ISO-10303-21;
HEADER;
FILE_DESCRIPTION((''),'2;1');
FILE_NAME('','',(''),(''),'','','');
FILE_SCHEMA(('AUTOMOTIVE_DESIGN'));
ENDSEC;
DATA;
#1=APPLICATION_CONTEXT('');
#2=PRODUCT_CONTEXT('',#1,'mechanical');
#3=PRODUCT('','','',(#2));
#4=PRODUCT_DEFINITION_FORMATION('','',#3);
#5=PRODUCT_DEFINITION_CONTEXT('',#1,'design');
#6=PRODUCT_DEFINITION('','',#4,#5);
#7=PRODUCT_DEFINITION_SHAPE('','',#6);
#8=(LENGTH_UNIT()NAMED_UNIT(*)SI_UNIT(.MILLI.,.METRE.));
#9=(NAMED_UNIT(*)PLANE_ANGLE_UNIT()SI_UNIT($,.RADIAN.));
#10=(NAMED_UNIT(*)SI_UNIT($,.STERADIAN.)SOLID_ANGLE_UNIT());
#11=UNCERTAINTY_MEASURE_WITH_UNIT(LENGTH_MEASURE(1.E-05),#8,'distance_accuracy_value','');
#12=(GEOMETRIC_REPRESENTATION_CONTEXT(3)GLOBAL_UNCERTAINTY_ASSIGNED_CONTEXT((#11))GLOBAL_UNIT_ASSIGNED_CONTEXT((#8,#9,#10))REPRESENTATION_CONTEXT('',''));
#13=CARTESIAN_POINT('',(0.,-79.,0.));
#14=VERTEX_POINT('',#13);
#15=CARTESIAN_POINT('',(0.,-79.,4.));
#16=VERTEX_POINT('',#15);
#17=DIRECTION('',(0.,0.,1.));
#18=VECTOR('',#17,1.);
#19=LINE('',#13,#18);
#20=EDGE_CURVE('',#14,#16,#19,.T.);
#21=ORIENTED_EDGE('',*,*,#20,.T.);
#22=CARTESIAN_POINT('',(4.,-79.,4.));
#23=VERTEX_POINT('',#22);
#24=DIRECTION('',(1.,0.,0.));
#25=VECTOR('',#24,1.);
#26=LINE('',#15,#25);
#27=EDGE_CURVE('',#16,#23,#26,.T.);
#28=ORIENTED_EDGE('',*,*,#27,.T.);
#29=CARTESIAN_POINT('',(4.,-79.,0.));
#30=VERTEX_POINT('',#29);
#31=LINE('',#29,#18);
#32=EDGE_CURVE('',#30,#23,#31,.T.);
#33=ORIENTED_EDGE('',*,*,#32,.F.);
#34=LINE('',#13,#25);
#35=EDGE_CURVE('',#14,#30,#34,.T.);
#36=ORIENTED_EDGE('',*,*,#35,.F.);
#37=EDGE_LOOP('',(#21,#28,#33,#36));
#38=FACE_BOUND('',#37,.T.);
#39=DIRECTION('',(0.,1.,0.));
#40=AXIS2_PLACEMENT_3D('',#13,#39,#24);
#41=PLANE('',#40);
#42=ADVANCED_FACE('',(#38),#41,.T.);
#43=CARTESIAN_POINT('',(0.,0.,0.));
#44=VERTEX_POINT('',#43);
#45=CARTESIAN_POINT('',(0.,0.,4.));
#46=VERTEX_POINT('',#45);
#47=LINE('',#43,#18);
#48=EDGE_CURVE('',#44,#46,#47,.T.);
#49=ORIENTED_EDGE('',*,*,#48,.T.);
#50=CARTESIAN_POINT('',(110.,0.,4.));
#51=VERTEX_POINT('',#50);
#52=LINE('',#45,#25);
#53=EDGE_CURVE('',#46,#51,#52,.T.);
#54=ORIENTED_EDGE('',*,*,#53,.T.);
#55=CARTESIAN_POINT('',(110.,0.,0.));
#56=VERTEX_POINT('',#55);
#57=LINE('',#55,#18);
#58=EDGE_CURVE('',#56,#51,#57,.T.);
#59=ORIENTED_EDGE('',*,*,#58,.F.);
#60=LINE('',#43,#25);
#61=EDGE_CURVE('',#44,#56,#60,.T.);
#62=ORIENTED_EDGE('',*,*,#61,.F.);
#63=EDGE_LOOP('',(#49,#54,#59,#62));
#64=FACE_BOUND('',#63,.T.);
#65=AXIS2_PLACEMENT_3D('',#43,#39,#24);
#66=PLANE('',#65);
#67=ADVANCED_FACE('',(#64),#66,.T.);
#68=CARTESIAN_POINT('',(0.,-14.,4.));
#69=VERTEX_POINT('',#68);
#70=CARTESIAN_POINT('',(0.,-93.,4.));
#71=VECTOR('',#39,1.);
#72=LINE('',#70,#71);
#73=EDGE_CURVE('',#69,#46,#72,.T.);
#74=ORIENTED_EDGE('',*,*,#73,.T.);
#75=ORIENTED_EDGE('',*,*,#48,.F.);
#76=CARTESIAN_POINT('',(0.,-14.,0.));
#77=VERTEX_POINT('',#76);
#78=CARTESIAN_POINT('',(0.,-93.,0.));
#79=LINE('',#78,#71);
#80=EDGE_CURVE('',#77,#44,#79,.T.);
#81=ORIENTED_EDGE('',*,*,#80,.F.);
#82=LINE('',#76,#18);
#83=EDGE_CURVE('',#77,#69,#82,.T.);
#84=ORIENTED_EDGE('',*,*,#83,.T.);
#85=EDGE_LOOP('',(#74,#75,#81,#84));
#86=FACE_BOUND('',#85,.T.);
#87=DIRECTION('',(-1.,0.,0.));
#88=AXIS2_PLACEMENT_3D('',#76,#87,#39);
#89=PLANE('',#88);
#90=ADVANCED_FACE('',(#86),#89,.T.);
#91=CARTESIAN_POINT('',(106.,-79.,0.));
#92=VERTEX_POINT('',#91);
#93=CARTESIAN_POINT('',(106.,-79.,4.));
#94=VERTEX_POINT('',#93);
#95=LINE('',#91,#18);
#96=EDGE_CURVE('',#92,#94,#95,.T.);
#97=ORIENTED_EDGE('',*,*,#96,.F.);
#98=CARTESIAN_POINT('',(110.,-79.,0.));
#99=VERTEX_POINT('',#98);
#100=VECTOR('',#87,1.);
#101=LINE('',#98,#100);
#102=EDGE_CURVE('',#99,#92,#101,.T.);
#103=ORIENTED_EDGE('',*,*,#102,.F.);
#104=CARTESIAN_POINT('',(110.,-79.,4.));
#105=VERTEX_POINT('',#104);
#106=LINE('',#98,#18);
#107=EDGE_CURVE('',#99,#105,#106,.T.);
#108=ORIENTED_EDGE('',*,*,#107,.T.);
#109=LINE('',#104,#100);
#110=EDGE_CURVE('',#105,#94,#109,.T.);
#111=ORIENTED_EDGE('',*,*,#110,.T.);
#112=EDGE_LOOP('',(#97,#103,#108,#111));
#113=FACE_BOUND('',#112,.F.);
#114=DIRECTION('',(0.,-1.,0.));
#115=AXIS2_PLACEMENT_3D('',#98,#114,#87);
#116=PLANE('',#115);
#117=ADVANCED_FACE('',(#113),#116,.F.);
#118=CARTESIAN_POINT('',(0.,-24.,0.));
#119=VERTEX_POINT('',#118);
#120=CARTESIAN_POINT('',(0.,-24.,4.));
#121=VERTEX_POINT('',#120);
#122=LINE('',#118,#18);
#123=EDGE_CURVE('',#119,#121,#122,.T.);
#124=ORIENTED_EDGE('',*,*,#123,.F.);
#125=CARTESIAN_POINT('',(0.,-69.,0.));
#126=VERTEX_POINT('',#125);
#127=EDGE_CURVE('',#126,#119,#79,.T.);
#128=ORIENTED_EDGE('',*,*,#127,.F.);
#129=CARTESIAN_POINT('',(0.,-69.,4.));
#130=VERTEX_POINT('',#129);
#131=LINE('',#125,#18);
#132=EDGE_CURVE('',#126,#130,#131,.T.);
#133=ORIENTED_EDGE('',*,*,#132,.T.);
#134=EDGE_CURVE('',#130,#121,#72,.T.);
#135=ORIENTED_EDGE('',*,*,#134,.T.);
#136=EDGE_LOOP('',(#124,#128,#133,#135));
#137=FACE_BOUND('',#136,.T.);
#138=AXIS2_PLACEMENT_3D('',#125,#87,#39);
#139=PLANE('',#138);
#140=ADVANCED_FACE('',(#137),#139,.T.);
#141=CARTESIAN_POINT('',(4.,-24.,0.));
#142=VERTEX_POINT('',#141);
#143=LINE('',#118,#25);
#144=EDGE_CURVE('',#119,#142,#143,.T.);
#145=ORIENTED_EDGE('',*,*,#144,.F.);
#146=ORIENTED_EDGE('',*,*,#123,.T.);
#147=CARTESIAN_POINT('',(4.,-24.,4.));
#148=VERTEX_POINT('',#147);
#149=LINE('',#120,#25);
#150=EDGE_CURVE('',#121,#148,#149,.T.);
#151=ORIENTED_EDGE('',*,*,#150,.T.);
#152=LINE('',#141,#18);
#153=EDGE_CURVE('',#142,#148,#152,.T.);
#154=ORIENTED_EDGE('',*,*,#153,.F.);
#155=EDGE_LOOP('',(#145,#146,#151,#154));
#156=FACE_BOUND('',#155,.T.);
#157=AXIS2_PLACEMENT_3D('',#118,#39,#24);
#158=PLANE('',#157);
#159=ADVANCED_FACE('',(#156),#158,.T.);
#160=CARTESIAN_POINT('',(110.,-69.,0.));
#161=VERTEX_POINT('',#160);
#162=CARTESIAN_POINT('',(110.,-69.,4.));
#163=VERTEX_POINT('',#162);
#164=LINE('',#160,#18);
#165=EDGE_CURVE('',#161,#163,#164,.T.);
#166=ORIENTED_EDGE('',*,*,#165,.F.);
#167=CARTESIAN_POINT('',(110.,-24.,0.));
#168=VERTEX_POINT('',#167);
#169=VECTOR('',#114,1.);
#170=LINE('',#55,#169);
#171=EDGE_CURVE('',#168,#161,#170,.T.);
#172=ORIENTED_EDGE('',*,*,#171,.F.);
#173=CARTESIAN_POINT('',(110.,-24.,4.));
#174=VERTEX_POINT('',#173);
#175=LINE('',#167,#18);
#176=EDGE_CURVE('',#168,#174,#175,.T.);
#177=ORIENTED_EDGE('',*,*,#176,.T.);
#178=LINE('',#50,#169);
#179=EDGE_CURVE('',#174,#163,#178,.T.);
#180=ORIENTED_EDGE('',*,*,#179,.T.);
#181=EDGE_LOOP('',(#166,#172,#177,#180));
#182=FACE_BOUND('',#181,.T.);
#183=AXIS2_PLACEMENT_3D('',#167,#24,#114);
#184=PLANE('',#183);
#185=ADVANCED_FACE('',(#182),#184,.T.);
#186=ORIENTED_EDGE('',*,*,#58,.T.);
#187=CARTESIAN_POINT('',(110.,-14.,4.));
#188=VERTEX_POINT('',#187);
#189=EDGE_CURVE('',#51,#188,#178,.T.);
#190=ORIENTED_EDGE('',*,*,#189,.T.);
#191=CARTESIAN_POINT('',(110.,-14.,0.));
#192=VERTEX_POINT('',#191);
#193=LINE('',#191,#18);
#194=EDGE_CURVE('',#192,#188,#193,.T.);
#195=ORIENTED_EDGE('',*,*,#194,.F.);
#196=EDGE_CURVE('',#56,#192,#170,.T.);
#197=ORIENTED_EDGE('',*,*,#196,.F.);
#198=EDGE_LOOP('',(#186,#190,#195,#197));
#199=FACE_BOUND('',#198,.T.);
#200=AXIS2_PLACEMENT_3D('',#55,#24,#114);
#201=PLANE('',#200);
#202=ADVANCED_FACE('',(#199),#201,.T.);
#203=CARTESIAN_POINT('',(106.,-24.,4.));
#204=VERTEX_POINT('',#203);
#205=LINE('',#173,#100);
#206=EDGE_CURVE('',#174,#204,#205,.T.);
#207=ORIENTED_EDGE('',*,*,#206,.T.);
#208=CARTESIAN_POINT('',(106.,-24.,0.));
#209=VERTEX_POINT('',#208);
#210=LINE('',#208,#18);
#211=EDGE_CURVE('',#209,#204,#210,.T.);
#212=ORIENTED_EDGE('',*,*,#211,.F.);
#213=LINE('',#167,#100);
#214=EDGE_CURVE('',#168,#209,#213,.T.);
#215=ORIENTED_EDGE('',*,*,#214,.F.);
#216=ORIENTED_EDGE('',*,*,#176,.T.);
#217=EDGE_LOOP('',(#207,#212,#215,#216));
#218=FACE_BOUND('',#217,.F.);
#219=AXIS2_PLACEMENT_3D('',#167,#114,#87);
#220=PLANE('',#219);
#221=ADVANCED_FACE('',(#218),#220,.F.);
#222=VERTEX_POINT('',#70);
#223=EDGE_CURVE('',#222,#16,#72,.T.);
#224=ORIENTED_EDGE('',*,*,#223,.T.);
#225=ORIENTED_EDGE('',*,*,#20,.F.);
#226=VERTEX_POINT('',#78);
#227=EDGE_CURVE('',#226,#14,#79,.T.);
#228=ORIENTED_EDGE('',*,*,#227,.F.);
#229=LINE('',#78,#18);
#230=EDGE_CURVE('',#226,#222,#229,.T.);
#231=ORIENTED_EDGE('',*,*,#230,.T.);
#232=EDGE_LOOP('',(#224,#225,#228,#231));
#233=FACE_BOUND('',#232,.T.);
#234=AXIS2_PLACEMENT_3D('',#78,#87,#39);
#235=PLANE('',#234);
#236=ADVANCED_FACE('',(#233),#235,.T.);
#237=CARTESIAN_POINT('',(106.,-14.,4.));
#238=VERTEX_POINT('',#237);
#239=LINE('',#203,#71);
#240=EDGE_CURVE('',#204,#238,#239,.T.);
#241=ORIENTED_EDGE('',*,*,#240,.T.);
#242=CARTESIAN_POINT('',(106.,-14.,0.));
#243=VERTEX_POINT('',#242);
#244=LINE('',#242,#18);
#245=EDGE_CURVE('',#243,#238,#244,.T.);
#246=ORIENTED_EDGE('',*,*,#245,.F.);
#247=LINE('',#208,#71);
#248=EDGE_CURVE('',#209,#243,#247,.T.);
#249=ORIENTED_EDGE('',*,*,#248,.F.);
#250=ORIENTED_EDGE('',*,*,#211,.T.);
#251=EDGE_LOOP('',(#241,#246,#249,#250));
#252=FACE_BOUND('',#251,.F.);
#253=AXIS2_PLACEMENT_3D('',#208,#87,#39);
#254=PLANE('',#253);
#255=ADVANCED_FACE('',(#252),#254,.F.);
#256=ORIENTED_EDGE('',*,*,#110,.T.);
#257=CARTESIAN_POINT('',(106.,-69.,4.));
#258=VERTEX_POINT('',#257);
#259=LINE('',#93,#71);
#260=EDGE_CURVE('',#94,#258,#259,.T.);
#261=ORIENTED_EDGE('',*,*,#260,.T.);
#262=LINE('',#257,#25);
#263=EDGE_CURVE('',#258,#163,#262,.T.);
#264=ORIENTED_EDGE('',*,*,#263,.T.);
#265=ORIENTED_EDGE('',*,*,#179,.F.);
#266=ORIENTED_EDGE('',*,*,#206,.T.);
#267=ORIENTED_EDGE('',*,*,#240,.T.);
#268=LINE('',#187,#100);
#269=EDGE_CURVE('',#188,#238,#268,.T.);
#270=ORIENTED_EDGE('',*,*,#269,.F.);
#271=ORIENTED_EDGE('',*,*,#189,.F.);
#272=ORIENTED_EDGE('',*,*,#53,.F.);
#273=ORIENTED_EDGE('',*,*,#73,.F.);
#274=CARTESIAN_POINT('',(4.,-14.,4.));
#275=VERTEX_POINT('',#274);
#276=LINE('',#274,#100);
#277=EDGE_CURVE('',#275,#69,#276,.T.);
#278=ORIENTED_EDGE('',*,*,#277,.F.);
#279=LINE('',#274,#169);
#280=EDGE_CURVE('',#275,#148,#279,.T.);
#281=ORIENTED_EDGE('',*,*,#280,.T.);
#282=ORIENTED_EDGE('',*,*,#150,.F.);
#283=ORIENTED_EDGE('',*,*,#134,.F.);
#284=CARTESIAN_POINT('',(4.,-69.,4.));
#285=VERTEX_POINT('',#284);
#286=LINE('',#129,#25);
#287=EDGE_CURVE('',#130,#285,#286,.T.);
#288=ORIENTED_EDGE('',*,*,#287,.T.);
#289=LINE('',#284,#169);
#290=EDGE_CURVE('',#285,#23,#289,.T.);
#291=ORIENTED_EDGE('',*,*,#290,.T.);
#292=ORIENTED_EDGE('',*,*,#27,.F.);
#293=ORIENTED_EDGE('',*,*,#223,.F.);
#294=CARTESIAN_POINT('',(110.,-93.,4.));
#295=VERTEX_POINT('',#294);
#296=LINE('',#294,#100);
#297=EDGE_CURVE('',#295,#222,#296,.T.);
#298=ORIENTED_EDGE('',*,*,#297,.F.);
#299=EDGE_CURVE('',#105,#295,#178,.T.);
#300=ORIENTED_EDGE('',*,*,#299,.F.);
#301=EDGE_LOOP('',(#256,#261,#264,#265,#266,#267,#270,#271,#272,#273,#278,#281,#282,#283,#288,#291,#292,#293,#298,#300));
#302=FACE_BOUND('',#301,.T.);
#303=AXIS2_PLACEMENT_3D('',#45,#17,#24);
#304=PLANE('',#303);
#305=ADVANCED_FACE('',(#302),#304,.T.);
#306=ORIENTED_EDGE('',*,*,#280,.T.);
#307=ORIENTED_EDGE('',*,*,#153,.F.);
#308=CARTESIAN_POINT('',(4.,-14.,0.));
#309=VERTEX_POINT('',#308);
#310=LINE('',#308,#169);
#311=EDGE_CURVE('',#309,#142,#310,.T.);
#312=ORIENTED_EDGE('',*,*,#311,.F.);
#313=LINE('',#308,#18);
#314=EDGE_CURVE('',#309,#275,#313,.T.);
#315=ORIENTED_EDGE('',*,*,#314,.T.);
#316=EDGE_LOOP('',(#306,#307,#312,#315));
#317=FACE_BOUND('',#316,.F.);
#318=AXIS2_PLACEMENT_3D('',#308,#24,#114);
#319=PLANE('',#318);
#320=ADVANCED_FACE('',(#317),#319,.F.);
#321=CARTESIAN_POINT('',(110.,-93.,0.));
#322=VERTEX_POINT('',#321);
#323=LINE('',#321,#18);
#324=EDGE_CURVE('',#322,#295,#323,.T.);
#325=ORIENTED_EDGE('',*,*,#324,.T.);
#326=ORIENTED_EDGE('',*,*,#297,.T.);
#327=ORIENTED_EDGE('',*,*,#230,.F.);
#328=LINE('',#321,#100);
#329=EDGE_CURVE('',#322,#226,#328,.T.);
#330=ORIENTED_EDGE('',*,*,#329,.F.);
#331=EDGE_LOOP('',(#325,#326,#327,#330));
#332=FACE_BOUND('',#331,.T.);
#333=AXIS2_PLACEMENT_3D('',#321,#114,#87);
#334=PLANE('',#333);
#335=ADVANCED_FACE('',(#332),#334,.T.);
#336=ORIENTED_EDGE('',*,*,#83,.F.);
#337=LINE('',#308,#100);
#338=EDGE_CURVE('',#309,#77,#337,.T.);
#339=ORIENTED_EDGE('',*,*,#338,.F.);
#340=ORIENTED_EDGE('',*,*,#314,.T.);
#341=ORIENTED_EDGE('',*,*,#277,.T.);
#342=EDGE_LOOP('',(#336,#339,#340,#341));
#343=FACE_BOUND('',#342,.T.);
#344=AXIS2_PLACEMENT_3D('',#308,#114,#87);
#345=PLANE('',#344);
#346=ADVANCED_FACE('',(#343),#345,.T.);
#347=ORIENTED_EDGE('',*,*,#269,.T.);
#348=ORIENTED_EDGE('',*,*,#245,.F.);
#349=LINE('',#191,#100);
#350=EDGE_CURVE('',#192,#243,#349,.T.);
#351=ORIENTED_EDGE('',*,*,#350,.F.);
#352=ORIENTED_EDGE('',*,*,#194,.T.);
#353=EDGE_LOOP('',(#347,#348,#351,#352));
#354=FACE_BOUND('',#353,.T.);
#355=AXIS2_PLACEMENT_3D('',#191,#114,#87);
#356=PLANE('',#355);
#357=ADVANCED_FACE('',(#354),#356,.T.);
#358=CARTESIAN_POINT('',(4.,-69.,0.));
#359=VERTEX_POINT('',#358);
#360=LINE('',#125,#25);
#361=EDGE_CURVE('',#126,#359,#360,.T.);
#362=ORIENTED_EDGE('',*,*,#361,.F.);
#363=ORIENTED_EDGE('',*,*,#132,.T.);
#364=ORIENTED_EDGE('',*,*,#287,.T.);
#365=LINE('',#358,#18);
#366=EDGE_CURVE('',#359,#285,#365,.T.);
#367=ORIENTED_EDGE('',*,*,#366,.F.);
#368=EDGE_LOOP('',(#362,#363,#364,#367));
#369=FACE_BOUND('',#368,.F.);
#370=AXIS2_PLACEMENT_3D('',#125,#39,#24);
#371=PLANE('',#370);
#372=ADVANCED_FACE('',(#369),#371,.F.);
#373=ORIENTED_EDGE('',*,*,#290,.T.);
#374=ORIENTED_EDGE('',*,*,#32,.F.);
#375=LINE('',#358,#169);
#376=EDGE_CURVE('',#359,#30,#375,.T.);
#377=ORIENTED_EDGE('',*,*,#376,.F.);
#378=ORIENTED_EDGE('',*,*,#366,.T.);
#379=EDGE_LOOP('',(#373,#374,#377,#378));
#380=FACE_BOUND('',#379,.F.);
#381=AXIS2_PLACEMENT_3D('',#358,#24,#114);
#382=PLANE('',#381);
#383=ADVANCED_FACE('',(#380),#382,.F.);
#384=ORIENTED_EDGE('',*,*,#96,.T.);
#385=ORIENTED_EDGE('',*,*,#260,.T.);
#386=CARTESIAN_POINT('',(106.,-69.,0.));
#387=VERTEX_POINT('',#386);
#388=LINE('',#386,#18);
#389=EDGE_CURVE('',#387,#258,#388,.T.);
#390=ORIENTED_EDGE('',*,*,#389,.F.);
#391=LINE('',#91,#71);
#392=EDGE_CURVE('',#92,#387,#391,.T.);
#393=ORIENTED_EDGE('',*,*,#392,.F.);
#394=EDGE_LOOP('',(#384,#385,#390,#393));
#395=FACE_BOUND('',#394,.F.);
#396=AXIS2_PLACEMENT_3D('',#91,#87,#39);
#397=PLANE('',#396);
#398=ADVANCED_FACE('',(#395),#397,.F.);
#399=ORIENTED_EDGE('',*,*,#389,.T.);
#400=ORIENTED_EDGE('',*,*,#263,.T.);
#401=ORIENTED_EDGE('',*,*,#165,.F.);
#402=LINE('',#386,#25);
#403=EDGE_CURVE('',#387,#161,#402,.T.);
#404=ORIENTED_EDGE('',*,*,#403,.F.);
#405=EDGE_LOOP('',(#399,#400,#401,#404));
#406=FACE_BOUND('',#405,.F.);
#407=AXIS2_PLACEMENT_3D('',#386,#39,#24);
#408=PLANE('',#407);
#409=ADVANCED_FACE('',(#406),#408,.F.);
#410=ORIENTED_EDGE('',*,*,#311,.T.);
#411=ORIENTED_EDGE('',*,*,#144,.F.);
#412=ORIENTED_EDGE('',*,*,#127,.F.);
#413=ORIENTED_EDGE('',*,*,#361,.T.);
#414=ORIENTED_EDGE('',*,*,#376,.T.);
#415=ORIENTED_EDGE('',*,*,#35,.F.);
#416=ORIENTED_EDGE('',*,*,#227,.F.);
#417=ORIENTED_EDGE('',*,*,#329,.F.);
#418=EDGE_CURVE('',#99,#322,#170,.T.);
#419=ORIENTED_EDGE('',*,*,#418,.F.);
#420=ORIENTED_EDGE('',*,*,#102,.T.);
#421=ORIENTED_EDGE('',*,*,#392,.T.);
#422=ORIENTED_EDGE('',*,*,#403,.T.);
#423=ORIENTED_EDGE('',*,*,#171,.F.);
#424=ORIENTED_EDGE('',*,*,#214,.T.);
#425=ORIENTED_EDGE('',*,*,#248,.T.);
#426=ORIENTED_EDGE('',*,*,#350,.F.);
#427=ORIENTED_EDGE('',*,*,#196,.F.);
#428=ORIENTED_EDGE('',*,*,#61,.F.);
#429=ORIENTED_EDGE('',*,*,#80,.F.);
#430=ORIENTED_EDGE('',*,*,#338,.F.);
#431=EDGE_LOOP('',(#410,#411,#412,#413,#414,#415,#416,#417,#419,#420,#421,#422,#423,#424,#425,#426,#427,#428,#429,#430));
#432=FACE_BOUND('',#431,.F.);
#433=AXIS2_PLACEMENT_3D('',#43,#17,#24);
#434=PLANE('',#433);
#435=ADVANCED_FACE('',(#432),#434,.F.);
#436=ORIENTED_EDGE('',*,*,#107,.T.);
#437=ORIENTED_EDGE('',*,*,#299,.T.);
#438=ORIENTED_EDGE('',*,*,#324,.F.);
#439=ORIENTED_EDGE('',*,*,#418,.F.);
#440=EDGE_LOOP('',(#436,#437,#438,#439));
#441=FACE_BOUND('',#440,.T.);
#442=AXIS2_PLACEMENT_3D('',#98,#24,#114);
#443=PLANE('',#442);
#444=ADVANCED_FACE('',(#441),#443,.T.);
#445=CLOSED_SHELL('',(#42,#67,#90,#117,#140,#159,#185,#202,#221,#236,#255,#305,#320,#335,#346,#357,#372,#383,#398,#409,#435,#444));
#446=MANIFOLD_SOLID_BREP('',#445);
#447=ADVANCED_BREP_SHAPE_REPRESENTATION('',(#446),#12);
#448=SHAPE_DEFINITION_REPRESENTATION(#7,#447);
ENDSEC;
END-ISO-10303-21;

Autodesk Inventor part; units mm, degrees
ref_plane "YZ Plane" through (0, 0, 0) normal (1, 0, 0) x (0, 1, 0)
ref_plane "XZ Plane" through (0, 0, 0) normal (0, 1, 0) x (-1, 0, 0)
ref_plane "XY Plane" through (0, 0, 0) normal (0, 0, 1) x (1, 0, 0)
sketch "Sketch1" plane through (0, 0, 0) normal (0, 0, 1) x (1, 0, 0)
  line L0 (0, -24) -> (0, -14)
  line L1 (4, -14) -> (4, -24)
  line L2 (0, -79) -> (0, -69)
  line L3 (4, -69) -> (4, -79)
  line L4 (0, -69) -> (4, -69)
  line L5 (0, -79) -> (4, -79)
  line L6 (106, -79) -> (106, -69)
  line L7 (110, -69) -> (110, -79)
  line L8 (110, -14) -> (106, -14)
  line L9 (110, -24) -> (106, -24)
  line L10 (106, -24) -> (106, -14)
  line L11 (110, -14) -> (110, -24)
  line L12 (0, 0) -> (110, 0)
  line L13 (110, 0) -> (110, -93)
  line L14 (110, -93) -> (0, -93)
  line L15 (0, -93) -> (0, 0)
  line L16 (4, -14) -> (0, -14)
  line L17 (0, -14) -> (0, -24)
  line L18 (0, -24) -> (4, -24)
  line L19 (4, -24) -> (4, -14)
  line L20 (106, -69) -> (110, -69)
  line L21 (110, -69) -> (110, -79)
  line L22 (110, -79) -> (106, -79)
  line L23 (106, -79) -> (106, -69)
extrude "Extrusion1" add sketch "Sketch1" along normal blind 4 contours L18 L1 L16 L15 L12 L13 L8 L10 L9 L20 L6 L22 L14 L5 L3 L4
properties part number "TAPA_CAJA"
